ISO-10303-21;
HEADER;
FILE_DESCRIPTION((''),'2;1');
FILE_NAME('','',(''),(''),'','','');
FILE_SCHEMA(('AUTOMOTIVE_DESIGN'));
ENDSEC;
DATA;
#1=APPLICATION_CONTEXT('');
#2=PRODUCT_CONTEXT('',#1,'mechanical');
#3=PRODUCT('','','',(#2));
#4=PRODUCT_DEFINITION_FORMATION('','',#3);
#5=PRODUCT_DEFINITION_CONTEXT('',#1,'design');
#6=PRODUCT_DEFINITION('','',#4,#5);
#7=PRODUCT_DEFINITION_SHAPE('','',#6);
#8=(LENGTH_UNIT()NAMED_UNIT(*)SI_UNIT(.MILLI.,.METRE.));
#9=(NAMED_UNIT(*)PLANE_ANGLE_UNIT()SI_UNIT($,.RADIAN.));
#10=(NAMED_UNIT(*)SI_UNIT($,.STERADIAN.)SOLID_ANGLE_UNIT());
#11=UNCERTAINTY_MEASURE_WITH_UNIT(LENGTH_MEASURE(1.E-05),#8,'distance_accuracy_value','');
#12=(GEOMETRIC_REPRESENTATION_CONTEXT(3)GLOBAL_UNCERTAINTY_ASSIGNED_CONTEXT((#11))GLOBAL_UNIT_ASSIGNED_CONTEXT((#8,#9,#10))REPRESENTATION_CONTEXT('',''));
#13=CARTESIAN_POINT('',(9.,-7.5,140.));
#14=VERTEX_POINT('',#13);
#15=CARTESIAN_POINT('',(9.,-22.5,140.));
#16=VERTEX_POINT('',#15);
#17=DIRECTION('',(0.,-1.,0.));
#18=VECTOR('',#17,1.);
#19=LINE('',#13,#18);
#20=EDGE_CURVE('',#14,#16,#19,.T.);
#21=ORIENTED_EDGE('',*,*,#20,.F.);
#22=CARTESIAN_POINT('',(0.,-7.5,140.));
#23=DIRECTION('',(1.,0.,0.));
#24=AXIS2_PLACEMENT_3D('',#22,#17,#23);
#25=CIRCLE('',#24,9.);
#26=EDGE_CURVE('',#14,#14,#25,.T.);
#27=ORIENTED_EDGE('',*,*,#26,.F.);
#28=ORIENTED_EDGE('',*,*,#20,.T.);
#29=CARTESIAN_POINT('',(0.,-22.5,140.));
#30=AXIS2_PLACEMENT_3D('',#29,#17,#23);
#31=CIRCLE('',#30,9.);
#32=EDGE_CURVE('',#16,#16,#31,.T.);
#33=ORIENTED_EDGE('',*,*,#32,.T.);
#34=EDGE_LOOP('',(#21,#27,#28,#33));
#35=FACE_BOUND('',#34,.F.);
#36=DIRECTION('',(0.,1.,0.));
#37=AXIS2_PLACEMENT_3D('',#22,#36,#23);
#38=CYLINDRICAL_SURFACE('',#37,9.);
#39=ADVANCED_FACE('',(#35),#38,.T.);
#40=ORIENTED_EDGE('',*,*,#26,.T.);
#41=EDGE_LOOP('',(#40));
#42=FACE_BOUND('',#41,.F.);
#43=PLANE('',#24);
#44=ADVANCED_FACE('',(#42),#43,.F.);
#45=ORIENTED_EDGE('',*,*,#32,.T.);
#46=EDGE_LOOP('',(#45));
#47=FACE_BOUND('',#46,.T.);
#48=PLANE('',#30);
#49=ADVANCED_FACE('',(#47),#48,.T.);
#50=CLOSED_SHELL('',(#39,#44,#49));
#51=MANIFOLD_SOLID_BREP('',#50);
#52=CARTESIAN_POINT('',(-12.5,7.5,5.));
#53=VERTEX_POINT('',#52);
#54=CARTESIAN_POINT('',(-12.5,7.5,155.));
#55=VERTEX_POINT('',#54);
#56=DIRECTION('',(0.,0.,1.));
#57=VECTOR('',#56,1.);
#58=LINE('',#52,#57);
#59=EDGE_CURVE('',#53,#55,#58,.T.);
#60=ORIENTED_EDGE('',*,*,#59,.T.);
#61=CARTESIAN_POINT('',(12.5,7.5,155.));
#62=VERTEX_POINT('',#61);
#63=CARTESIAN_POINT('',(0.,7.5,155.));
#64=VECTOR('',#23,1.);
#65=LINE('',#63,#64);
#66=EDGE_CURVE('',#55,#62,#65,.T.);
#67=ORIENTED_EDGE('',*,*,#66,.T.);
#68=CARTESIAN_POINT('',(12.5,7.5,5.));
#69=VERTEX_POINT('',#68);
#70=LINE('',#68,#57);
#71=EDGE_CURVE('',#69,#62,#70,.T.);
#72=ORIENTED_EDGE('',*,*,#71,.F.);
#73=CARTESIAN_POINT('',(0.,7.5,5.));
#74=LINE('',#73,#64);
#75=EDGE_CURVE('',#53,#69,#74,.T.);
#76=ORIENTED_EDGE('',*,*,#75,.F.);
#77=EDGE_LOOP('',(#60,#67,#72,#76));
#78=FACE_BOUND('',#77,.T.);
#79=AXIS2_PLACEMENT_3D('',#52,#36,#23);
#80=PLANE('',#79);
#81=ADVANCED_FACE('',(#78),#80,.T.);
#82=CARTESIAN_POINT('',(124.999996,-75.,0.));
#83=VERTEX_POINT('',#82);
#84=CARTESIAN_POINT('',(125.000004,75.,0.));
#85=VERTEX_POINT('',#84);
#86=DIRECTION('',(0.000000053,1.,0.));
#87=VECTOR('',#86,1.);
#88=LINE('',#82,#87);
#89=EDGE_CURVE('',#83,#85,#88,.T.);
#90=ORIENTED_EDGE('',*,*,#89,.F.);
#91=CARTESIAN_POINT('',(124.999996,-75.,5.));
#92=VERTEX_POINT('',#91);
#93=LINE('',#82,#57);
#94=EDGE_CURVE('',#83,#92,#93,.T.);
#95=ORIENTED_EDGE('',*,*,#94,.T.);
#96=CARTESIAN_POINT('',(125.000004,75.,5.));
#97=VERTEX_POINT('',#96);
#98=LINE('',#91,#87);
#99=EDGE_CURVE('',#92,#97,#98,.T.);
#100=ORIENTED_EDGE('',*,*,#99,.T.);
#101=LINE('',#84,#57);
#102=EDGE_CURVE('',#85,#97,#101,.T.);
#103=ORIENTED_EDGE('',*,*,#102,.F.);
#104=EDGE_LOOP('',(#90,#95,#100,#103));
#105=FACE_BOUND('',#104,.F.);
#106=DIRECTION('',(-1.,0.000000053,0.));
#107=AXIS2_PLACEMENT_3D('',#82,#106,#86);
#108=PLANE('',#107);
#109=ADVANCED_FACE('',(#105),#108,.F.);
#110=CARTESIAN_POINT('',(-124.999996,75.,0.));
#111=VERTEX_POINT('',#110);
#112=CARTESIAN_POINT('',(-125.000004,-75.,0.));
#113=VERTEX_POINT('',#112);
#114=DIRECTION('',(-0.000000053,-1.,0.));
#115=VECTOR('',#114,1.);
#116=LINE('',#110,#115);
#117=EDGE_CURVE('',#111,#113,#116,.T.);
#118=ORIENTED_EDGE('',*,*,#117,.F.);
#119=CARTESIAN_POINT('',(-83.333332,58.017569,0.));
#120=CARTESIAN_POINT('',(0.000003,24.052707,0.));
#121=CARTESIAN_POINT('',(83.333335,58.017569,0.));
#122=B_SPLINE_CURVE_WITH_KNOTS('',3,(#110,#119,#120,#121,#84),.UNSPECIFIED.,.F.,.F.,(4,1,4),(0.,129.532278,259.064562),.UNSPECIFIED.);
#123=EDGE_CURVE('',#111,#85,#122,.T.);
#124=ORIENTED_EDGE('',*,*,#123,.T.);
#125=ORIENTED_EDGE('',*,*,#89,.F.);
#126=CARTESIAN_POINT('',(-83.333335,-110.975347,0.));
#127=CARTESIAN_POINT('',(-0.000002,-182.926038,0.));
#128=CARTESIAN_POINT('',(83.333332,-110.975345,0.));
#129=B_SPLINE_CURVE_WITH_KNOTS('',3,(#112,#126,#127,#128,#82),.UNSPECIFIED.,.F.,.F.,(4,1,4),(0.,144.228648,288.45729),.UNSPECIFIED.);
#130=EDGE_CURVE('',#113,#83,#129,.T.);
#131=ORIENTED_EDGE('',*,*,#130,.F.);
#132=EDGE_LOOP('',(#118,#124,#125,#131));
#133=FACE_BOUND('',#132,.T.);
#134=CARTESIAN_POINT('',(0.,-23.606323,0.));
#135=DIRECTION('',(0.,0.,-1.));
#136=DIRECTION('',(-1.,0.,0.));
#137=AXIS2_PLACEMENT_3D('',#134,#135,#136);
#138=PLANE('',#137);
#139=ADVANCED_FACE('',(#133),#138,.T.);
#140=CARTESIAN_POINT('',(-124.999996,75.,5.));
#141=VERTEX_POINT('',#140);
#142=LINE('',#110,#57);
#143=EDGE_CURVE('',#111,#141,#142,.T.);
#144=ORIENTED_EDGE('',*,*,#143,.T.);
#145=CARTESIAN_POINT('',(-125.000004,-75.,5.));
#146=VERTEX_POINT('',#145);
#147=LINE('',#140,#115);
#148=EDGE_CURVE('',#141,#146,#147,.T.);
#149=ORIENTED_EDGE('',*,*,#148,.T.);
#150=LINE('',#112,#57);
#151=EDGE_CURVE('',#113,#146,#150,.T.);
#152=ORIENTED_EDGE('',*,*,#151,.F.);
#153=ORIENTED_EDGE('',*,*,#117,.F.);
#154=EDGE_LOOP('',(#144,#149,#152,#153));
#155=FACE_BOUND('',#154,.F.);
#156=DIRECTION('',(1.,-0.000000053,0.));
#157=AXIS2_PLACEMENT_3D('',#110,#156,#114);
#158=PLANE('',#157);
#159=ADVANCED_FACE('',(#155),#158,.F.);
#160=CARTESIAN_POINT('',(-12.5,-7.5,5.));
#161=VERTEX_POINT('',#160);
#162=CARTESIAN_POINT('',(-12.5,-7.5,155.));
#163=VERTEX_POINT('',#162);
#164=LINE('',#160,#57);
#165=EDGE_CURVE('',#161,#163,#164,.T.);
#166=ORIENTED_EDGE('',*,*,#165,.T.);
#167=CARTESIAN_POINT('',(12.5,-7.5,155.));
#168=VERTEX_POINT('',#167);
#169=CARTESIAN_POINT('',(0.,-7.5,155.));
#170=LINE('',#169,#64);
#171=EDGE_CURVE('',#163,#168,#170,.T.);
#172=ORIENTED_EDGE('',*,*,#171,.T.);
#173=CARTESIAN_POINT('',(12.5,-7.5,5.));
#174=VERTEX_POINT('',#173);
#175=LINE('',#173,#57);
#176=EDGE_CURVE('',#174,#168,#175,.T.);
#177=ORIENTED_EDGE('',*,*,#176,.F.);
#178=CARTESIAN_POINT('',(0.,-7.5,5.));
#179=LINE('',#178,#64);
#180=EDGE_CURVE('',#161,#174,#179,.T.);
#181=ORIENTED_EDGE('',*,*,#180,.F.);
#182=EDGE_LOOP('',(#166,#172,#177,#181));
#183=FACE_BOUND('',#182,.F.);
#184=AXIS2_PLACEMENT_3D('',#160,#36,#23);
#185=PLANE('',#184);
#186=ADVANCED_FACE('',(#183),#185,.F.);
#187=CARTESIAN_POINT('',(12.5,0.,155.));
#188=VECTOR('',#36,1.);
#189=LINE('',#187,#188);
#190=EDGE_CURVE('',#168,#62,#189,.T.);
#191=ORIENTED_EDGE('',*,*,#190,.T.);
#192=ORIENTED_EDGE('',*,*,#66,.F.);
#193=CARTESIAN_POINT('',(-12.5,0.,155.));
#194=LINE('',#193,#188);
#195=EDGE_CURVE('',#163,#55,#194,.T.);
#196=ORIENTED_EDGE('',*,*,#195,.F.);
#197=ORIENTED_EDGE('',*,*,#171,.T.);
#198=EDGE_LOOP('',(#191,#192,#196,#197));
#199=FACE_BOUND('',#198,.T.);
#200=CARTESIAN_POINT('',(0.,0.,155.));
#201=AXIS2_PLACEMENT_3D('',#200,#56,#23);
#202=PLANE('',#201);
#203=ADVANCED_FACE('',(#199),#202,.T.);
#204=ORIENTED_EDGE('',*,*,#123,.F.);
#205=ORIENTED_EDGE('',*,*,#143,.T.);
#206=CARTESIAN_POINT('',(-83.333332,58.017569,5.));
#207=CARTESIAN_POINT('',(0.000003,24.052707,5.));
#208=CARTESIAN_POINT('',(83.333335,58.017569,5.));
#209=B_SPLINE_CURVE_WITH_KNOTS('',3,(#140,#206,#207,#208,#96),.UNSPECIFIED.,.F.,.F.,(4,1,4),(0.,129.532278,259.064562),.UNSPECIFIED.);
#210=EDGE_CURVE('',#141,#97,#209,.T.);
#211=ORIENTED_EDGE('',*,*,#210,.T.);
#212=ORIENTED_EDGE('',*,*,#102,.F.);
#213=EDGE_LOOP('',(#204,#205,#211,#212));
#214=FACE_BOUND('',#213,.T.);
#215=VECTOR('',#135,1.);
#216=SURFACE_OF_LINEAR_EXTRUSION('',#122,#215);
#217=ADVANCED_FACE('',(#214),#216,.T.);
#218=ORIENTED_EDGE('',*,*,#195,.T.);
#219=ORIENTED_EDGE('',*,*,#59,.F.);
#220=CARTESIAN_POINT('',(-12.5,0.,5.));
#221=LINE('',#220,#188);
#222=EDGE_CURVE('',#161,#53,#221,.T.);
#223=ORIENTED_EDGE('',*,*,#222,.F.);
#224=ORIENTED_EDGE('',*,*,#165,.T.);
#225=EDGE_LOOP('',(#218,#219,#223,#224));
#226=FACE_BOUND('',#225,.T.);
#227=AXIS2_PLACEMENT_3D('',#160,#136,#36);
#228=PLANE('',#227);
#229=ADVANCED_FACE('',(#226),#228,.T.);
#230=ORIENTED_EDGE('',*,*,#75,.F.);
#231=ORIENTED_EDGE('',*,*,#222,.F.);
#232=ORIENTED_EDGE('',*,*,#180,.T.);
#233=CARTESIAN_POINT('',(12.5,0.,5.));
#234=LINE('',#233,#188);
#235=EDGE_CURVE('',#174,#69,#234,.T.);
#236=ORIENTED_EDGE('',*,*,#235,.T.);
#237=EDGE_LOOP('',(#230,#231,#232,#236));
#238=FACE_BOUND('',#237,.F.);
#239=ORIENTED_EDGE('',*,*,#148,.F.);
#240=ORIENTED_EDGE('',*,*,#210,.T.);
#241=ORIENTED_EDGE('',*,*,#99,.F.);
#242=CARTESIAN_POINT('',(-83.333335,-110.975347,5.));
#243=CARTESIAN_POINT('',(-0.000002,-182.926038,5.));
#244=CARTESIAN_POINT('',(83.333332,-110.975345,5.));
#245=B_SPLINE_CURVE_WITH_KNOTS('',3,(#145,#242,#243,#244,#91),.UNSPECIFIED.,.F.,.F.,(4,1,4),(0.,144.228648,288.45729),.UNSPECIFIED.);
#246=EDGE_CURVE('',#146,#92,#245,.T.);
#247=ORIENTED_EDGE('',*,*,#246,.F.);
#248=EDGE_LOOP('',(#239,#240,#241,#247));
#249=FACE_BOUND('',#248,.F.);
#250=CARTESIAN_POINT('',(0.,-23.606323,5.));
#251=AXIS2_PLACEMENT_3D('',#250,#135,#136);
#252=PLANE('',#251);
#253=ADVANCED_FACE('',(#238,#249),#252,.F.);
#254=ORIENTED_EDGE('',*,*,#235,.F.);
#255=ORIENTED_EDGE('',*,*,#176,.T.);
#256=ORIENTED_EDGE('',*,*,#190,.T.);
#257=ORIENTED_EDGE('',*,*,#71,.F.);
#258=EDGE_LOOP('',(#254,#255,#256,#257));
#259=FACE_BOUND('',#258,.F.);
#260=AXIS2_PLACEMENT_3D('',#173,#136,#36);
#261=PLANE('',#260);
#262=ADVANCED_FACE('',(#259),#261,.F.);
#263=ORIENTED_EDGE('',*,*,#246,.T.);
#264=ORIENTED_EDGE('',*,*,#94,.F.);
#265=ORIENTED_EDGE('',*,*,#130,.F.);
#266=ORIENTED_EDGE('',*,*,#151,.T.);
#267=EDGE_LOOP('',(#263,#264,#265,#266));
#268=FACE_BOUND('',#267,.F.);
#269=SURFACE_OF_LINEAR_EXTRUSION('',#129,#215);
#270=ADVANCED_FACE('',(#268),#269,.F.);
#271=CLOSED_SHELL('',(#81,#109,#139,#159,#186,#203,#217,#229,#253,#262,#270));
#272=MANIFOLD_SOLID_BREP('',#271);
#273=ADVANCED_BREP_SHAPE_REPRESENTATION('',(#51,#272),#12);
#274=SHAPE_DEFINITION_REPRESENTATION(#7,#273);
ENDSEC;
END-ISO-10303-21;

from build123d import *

# Parameters (mm, degrees)
F1_DEPTH = 5
F2_W     = 25
F2_H     = 15
F3_DEPTH = 150
F4_R     = 9
F5_DEPTH = 15


with BuildPart() as f1:
    # F0 (on Top) → F1 (new body)
    with BuildSketch(Plane.XY):
        with BuildLine():
            add(Edge.make_bspline(
                [(-124.999996, 75), (-83.333332, 58.017569), (3e-06, 24.052707), (83.333335, 58.017569), (125.000004, 75)],
                knots=[0, 0, 0, 0, 129.532278, 259.064562, 259.064562, 259.064562, 259.064562], degree=3))
            Line((-124.999996, 75), (-125.000004, -75))
            add(Edge.make_bspline(
                [(-125.000004, -75), (-83.333335, -110.975347), (-2e-06, -182.926038), (83.333332, -110.975345), (124.999996, -75)],
                knots=[0, 0, 0, 0, 144.228648, 288.45729, 288.45729, 288.45729, 288.45729], degree=3))
            Line((124.999996, -75), (125.000004, 75))
        make_face()
    extrude(amount=F1_DEPTH)

    # F2 (on face) → F3 (join)
    with BuildSketch(Plane.XY.offset(5)):
        Rectangle(F2_W, F2_H)
    extrude(amount=F3_DEPTH)


with BuildPart() as f5:
    # F4 (on face) → F5 (new body)
    with BuildSketch(Plane.XZ.offset(7.5)):
        with Locations((0, 140)):
            Circle(F4_R)
    extrude(amount=F5_DEPTH)


solid = Compound([f1.part, f5.part])
